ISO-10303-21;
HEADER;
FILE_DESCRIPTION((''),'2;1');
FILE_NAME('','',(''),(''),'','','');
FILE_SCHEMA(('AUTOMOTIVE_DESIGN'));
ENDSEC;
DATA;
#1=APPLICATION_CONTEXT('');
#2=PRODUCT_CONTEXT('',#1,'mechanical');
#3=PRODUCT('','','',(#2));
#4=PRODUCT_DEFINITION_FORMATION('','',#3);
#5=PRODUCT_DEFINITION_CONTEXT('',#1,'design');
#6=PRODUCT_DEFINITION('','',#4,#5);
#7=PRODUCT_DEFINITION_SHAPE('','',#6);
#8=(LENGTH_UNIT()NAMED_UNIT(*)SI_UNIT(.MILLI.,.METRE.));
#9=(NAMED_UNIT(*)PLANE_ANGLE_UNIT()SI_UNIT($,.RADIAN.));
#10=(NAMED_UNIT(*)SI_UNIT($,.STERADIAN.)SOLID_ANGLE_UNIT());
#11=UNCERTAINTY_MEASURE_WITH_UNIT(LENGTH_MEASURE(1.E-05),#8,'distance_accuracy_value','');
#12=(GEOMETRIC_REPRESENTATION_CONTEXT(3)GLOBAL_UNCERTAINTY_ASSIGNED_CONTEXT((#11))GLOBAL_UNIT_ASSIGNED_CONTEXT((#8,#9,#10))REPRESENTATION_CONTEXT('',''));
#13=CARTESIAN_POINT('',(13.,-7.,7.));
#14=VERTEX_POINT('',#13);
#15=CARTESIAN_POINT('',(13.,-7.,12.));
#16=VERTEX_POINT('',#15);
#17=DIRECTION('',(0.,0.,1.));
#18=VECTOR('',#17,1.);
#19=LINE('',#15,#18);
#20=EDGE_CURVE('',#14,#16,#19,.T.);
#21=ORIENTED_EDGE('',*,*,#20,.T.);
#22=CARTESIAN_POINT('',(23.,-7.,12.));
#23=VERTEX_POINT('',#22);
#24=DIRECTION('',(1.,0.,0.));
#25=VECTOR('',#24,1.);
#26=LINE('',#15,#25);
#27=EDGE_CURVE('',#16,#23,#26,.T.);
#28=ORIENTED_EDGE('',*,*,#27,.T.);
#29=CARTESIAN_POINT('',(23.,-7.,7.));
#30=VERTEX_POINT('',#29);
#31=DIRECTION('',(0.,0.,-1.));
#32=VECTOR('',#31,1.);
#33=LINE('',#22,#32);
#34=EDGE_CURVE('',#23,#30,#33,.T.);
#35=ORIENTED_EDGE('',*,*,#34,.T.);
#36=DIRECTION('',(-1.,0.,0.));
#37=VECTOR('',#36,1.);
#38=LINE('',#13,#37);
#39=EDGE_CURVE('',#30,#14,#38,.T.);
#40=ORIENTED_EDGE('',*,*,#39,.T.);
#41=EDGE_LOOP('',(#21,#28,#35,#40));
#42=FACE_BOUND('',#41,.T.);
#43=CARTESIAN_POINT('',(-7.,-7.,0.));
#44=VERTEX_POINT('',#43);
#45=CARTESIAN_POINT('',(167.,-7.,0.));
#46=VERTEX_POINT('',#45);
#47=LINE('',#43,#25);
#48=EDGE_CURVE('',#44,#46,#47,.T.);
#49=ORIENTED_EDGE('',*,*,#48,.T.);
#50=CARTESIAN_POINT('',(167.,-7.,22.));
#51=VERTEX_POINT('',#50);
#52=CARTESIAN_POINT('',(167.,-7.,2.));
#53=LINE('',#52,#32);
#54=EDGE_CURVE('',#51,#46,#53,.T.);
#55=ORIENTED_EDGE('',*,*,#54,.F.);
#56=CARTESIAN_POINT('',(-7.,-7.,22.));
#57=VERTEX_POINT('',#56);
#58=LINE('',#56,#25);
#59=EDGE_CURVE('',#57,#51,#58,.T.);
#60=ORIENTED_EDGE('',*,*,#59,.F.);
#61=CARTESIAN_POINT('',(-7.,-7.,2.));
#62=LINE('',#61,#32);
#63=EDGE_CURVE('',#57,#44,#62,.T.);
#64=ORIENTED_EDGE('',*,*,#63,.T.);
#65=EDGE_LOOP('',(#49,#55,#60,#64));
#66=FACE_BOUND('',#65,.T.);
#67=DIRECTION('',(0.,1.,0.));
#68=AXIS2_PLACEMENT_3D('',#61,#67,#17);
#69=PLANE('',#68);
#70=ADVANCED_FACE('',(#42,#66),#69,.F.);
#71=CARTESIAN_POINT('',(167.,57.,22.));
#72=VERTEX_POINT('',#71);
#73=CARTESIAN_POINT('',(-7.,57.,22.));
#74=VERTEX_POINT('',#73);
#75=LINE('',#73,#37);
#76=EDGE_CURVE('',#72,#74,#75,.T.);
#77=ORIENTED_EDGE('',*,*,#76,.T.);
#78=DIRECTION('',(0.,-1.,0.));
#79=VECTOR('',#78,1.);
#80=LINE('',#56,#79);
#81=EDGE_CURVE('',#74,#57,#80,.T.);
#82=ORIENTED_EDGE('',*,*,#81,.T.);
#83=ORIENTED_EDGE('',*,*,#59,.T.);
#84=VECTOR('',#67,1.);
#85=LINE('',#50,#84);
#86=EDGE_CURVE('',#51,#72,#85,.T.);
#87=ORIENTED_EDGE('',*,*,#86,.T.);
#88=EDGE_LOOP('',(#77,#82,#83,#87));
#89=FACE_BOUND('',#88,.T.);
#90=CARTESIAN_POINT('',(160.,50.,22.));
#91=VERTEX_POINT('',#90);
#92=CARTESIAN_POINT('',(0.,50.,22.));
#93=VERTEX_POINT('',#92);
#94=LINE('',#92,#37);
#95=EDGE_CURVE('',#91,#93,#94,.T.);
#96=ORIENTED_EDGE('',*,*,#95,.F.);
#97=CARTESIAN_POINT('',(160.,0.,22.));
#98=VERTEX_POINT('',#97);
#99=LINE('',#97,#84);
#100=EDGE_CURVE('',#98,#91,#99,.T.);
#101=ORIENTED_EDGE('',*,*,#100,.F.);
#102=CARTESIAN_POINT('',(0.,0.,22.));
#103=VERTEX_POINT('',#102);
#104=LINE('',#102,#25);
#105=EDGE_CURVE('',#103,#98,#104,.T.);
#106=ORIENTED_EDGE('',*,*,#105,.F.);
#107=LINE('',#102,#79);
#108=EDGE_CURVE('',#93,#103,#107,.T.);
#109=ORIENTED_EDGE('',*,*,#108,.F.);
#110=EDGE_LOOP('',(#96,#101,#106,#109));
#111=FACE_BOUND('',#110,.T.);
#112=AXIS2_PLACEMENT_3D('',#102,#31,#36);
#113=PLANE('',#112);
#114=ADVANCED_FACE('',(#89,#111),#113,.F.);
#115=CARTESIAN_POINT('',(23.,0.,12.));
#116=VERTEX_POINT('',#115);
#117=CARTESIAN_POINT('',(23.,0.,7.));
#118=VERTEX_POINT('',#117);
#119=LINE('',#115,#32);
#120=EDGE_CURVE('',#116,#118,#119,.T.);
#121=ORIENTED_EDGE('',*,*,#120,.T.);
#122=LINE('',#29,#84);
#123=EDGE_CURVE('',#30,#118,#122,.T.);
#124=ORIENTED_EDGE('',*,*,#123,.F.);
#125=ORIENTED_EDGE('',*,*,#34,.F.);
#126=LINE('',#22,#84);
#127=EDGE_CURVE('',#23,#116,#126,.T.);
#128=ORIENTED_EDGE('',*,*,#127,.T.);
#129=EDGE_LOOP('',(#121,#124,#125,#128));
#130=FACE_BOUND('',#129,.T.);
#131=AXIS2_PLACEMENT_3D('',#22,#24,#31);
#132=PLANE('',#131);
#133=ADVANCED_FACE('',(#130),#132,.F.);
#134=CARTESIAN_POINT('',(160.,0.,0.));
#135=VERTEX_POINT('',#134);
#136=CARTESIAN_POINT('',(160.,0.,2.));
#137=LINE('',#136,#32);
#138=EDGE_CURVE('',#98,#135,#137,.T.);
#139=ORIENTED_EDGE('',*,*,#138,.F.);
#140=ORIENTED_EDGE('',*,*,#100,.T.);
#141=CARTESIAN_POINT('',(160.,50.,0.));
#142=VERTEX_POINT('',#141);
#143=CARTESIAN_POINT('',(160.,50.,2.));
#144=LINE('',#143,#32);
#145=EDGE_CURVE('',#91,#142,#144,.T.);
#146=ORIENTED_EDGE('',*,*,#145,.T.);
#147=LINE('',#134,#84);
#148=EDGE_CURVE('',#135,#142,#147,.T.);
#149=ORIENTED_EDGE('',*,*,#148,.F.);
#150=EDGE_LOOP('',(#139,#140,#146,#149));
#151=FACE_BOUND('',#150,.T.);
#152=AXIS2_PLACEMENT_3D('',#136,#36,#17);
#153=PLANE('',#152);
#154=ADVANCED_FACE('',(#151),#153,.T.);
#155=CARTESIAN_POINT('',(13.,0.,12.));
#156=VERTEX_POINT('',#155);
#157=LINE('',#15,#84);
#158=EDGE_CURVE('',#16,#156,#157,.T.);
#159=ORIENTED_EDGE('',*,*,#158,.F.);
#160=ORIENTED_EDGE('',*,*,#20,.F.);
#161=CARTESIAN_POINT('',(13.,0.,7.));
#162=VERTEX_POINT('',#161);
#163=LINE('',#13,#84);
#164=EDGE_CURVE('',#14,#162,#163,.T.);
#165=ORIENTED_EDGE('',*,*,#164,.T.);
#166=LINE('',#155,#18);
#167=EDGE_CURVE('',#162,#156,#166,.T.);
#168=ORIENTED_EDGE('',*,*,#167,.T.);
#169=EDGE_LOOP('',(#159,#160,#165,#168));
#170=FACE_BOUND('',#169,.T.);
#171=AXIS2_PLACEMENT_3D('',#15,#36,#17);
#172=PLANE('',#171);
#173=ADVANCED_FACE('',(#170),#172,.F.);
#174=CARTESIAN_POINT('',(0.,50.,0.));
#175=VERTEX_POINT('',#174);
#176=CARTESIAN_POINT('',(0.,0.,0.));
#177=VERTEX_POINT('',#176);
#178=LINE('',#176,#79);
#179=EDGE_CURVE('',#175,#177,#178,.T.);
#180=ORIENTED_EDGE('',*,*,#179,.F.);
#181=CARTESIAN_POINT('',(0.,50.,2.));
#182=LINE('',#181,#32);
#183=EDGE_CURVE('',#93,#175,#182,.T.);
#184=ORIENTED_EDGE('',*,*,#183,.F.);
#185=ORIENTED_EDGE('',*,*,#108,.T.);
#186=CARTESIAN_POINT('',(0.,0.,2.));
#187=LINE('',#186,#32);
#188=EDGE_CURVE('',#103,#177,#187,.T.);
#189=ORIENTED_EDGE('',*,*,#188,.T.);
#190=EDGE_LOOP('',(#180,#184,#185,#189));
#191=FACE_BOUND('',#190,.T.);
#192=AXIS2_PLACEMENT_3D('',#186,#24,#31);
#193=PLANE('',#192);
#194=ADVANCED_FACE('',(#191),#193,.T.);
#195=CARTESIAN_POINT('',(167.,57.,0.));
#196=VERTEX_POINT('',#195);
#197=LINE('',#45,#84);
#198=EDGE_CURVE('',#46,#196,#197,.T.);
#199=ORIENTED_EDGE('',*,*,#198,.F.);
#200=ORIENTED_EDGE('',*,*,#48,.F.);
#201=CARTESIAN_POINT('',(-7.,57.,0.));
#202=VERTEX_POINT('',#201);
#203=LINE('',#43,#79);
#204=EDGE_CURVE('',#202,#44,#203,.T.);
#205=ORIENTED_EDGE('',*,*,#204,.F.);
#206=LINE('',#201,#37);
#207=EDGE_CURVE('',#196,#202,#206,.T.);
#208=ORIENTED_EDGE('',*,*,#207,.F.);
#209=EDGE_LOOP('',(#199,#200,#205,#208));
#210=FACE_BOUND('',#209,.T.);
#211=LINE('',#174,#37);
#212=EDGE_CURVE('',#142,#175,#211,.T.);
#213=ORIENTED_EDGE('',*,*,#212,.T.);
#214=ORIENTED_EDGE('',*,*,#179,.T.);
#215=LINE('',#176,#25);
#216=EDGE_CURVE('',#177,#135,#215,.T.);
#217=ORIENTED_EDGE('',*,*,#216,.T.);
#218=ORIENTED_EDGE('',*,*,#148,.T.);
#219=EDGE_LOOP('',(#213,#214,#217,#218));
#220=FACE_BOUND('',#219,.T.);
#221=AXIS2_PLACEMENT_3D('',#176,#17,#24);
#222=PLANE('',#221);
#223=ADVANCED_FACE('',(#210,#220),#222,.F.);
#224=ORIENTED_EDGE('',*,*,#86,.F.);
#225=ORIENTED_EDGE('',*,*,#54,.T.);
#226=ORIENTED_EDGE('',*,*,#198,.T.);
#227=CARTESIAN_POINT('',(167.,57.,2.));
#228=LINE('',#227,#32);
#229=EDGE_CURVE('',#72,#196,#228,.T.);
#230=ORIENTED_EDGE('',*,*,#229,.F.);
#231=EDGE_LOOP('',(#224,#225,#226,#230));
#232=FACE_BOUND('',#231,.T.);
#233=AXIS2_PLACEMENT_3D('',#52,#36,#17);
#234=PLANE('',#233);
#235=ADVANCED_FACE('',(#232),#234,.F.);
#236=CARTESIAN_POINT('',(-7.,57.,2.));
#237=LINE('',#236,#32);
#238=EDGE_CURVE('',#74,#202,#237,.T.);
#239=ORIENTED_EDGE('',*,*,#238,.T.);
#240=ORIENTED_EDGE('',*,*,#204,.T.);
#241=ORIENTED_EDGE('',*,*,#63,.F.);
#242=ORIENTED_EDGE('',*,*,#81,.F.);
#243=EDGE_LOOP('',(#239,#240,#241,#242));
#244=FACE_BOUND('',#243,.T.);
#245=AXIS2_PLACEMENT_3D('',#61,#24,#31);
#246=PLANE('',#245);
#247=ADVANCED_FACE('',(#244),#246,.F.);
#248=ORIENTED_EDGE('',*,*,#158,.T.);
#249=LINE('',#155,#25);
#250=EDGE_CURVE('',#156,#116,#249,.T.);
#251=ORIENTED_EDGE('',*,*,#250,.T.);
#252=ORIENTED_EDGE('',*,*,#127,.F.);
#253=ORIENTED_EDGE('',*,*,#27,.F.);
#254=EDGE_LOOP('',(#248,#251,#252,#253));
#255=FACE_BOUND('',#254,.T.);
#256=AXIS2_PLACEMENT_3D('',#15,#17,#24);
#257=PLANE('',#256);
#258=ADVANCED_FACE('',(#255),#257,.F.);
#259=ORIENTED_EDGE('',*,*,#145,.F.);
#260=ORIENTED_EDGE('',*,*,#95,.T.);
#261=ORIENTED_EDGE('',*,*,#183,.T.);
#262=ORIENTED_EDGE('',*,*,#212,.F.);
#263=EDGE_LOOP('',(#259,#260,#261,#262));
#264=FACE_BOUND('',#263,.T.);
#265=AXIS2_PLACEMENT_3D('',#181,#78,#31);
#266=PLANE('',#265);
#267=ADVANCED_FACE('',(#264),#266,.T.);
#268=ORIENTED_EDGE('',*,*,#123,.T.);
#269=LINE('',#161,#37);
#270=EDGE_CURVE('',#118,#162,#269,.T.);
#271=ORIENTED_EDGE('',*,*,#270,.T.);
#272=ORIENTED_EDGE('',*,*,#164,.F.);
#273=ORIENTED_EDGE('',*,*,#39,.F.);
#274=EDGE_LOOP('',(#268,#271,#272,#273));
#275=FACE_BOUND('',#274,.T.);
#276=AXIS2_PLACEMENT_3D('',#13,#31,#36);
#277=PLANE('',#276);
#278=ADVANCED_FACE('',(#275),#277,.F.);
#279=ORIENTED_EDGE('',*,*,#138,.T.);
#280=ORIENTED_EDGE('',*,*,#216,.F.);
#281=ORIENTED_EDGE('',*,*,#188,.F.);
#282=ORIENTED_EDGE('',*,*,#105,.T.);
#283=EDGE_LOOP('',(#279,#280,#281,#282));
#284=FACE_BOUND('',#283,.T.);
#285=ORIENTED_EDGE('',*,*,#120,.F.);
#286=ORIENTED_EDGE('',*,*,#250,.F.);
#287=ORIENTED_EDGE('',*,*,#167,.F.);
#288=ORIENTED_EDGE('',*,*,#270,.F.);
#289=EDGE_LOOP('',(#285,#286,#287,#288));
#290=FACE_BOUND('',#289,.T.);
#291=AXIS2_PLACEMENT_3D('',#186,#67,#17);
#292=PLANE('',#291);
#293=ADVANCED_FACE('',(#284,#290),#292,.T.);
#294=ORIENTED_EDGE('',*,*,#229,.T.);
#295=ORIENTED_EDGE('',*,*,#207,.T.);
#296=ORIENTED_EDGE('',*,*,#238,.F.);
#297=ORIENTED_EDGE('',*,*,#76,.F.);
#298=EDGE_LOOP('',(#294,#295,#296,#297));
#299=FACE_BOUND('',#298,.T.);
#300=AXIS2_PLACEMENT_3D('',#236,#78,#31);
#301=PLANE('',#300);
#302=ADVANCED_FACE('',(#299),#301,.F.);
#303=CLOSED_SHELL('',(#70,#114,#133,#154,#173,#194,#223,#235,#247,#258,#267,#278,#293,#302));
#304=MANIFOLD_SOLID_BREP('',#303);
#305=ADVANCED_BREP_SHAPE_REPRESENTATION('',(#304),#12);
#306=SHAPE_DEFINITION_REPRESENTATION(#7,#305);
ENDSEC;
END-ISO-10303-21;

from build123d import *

# Parameters (mm, degrees)
SKICA1_W                 = 174
SKICA1_H                 = 64
SKICA1_W_2               = 160
SKICA1_H_2               = 50
P_IDAT_VYSUNUT_M1_DEPTH  = 2
SKICA2_W                 = 174
SKICA2_H                 = 64
SKICA2_W_2               = 160
SKICA2_H_2               = 50
P_IDAT_VYSUNUT_M2_DEPTH  = 20
SKICA3_W                 = 10
SKICA3_H                 = 5
ODEBRAT_VYSUNUT_M1_DEPTH = 178.825757414


with BuildPart() as part:
    # Skica1 → Přidat vysunutím1 (new body)
    with BuildSketch(Plane.XY):
        with Locations((80, 25)):
            Rectangle(SKICA1_W, SKICA1_H)
        with Locations((80, 25)):
            Rectangle(SKICA1_W_2, SKICA1_H_2, mode=Mode.SUBTRACT)
    extrude(amount=P_IDAT_VYSUNUT_M1_DEPTH)

    # Skica2 → Přidat vysunutím2 (add)
    with BuildSketch(Plane.XY.offset(2)):
        with Locations((80, 25)):
            Rectangle(SKICA2_W, SKICA2_H)
        with Locations((80, 25)):
            Rectangle(SKICA2_W_2, SKICA2_H_2, mode=Mode.SUBTRACT)
    extrude(amount=P_IDAT_VYSUNUT_M2_DEPTH)

    # Skica3 → Odebrat vysunutím1 (cut, through all)
    with BuildSketch(Plane(origin=(0, 0, 0), x_dir=(1, 0, 0), z_dir=(0, 1, 0))):
        with Locations((18, -9.5)):
            Rectangle(SKICA3_W, SKICA3_H)
    extrude(amount=-ODEBRAT_VYSUNUT_M1_DEPTH, mode=Mode.SUBTRACT)


solid = part.part
